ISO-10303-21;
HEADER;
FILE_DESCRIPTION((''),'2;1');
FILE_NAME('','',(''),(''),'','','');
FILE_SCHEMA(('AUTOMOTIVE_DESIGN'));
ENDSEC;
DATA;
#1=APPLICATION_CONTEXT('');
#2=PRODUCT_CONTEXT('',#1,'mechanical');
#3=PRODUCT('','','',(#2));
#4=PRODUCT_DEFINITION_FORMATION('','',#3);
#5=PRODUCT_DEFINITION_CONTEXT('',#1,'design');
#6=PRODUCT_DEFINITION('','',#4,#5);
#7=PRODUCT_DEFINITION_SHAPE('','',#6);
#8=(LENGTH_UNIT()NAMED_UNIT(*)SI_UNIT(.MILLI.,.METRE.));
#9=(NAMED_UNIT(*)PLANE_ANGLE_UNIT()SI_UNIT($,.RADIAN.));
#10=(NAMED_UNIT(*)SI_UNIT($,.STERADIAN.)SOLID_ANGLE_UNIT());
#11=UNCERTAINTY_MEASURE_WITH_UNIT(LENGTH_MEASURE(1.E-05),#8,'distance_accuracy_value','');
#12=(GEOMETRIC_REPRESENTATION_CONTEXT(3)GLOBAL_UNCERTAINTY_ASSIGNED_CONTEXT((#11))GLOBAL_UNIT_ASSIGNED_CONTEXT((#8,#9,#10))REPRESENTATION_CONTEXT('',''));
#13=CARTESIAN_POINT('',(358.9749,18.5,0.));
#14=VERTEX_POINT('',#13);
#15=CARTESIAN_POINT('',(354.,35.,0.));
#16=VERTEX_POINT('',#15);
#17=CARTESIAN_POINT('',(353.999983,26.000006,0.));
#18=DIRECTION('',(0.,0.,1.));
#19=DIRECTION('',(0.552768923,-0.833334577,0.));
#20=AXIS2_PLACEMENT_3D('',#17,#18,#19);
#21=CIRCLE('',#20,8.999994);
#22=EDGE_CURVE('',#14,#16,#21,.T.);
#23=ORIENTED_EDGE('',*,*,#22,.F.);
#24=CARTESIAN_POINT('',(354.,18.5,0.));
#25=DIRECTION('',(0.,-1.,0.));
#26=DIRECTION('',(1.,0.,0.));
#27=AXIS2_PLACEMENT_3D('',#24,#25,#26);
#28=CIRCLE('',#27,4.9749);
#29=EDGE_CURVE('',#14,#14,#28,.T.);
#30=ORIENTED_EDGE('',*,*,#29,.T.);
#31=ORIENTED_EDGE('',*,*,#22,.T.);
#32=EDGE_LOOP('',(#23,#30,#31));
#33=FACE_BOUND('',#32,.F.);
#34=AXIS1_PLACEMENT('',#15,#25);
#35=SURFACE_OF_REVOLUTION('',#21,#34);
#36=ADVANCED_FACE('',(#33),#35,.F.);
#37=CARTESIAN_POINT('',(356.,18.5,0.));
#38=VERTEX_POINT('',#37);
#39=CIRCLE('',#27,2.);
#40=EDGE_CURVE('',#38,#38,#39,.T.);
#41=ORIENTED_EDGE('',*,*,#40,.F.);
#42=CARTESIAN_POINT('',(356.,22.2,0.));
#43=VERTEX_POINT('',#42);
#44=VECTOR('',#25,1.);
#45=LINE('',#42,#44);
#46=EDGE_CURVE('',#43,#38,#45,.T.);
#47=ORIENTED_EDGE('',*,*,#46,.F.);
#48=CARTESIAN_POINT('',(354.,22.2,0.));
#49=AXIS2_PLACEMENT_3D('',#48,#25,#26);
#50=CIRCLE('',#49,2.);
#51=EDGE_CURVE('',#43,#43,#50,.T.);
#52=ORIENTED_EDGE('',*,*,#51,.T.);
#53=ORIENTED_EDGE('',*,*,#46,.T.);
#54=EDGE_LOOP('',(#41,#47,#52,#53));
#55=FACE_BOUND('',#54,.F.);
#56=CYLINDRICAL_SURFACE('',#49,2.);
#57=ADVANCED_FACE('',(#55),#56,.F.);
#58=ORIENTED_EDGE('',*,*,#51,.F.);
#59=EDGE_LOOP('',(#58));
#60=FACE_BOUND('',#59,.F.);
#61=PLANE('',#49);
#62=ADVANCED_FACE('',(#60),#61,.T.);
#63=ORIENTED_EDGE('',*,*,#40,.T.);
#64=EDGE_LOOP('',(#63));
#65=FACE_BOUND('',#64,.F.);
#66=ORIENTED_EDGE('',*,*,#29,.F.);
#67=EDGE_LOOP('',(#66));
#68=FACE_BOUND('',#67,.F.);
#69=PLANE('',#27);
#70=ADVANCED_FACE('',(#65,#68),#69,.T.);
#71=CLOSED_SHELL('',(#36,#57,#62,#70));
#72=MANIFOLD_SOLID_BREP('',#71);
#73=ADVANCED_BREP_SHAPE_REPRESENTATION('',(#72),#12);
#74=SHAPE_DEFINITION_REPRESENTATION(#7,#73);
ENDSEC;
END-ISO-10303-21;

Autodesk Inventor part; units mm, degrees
ref_plane "YZ Plane" through (0, 0, 0) normal (1, 0, 0) x (0, 1, 0)
ref_plane "XZ Plane" through (0, 0, 0) normal (0, 1, 0) x (-1, 0, 0)
ref_plane "XY Plane" through (0, 0, 0) normal (0, 0, 1) x (1, 0, 0)
sketch "Эскиз2" plane through (0, 0, 0) normal (0, 0, 1) x (1, 0, 0)
  arc A0 (358.9749, 18.5) -> (354, 35) centre (354, 26) ccw
  line L0 (354, 35) -> (354, 22.2)
  line L1 (354, 22.2) -> (356, 22.2)
  line L2 (356, 22.2) -> (356, 18.5)
  line L3 (356, 18.5) -> (358.9749, 18.5)
  point P0 (0, 0)
  dimension "d17" = 16.5
revolve "Вращение1" add sketch "Эскиз2" angle 360 about axis through (354, 35, 0) along (0, -1, 0)
